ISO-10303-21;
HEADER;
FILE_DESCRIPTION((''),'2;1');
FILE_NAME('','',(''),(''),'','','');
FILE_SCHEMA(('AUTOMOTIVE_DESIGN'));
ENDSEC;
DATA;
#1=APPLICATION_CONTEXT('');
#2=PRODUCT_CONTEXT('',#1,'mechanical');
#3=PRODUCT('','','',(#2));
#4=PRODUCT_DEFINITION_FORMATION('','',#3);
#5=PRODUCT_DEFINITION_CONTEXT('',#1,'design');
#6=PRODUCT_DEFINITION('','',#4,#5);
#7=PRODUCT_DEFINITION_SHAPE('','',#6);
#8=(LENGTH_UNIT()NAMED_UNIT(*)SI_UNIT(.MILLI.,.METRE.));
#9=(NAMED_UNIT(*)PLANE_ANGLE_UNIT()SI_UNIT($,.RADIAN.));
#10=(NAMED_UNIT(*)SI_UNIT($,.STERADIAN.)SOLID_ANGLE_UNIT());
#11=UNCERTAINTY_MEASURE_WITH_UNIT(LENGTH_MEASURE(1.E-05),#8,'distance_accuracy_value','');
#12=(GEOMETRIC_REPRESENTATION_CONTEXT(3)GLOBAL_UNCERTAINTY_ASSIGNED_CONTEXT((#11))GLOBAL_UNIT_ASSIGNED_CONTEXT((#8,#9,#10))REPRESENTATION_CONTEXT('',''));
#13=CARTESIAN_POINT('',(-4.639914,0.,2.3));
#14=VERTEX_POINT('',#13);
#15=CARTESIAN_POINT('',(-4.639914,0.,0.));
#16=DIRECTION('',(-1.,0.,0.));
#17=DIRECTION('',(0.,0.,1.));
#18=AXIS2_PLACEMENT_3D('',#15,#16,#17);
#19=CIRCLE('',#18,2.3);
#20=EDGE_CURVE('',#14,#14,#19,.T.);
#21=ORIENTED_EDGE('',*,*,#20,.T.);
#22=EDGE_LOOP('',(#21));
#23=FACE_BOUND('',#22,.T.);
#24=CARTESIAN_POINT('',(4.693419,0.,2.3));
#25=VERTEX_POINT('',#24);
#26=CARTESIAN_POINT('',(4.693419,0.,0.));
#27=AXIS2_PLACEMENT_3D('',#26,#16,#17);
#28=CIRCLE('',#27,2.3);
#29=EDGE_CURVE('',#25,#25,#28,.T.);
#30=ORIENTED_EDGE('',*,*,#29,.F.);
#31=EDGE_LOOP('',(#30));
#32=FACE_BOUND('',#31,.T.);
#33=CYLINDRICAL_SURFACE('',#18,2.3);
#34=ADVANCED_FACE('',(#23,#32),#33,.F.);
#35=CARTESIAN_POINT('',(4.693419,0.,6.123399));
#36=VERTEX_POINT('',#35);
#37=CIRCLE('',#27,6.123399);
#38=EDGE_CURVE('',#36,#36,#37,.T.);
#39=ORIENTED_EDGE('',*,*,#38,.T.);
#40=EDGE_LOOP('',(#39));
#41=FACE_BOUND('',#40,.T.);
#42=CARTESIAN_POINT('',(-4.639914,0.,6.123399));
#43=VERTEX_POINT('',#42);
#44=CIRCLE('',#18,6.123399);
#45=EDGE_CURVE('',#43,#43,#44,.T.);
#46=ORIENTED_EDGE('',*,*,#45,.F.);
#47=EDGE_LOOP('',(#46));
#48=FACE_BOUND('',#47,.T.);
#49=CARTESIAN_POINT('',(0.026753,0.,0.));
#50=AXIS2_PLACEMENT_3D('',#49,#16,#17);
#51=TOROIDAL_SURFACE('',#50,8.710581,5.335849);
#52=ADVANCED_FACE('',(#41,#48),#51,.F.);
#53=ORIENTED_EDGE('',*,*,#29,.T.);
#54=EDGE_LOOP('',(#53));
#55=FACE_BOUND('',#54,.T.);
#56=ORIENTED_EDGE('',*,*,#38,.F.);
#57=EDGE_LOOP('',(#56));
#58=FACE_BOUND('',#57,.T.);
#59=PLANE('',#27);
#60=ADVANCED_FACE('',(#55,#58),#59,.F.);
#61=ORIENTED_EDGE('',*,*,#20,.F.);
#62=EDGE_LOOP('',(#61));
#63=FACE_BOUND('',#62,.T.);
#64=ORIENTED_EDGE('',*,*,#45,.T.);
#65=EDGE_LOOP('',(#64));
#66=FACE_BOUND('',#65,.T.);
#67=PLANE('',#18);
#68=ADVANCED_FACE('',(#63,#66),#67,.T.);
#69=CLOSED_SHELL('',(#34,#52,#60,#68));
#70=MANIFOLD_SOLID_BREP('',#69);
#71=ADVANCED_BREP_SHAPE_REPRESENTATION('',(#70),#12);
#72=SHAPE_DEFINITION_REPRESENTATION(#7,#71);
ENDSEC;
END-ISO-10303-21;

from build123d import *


with BuildPart() as part:
    # Sketch1 → Revolve2 (revolve)
    with BuildSketch(Plane(origin=(0, 0, 0), x_dir=(1, 0, 0), z_dir=(0, 1, 0))):
        with BuildLine():
            Line((-4.639913961, 6.123399444), (-4.639913961, 2.3))
            Line((-4.639913961, 2.3), (4.693419373, 2.3))
            Line((4.693419373, 2.3), (4.693419373, 6.123399444))
            ThreePointArc((4.693419373, 6.123399444), (0.026752706, 3.374731981), (-4.639913961, 6.123399444))
        make_face()
    revolve(axis=Axis((-4.639913961, 0, 0), (1, 0, 0)))


solid = part.part
